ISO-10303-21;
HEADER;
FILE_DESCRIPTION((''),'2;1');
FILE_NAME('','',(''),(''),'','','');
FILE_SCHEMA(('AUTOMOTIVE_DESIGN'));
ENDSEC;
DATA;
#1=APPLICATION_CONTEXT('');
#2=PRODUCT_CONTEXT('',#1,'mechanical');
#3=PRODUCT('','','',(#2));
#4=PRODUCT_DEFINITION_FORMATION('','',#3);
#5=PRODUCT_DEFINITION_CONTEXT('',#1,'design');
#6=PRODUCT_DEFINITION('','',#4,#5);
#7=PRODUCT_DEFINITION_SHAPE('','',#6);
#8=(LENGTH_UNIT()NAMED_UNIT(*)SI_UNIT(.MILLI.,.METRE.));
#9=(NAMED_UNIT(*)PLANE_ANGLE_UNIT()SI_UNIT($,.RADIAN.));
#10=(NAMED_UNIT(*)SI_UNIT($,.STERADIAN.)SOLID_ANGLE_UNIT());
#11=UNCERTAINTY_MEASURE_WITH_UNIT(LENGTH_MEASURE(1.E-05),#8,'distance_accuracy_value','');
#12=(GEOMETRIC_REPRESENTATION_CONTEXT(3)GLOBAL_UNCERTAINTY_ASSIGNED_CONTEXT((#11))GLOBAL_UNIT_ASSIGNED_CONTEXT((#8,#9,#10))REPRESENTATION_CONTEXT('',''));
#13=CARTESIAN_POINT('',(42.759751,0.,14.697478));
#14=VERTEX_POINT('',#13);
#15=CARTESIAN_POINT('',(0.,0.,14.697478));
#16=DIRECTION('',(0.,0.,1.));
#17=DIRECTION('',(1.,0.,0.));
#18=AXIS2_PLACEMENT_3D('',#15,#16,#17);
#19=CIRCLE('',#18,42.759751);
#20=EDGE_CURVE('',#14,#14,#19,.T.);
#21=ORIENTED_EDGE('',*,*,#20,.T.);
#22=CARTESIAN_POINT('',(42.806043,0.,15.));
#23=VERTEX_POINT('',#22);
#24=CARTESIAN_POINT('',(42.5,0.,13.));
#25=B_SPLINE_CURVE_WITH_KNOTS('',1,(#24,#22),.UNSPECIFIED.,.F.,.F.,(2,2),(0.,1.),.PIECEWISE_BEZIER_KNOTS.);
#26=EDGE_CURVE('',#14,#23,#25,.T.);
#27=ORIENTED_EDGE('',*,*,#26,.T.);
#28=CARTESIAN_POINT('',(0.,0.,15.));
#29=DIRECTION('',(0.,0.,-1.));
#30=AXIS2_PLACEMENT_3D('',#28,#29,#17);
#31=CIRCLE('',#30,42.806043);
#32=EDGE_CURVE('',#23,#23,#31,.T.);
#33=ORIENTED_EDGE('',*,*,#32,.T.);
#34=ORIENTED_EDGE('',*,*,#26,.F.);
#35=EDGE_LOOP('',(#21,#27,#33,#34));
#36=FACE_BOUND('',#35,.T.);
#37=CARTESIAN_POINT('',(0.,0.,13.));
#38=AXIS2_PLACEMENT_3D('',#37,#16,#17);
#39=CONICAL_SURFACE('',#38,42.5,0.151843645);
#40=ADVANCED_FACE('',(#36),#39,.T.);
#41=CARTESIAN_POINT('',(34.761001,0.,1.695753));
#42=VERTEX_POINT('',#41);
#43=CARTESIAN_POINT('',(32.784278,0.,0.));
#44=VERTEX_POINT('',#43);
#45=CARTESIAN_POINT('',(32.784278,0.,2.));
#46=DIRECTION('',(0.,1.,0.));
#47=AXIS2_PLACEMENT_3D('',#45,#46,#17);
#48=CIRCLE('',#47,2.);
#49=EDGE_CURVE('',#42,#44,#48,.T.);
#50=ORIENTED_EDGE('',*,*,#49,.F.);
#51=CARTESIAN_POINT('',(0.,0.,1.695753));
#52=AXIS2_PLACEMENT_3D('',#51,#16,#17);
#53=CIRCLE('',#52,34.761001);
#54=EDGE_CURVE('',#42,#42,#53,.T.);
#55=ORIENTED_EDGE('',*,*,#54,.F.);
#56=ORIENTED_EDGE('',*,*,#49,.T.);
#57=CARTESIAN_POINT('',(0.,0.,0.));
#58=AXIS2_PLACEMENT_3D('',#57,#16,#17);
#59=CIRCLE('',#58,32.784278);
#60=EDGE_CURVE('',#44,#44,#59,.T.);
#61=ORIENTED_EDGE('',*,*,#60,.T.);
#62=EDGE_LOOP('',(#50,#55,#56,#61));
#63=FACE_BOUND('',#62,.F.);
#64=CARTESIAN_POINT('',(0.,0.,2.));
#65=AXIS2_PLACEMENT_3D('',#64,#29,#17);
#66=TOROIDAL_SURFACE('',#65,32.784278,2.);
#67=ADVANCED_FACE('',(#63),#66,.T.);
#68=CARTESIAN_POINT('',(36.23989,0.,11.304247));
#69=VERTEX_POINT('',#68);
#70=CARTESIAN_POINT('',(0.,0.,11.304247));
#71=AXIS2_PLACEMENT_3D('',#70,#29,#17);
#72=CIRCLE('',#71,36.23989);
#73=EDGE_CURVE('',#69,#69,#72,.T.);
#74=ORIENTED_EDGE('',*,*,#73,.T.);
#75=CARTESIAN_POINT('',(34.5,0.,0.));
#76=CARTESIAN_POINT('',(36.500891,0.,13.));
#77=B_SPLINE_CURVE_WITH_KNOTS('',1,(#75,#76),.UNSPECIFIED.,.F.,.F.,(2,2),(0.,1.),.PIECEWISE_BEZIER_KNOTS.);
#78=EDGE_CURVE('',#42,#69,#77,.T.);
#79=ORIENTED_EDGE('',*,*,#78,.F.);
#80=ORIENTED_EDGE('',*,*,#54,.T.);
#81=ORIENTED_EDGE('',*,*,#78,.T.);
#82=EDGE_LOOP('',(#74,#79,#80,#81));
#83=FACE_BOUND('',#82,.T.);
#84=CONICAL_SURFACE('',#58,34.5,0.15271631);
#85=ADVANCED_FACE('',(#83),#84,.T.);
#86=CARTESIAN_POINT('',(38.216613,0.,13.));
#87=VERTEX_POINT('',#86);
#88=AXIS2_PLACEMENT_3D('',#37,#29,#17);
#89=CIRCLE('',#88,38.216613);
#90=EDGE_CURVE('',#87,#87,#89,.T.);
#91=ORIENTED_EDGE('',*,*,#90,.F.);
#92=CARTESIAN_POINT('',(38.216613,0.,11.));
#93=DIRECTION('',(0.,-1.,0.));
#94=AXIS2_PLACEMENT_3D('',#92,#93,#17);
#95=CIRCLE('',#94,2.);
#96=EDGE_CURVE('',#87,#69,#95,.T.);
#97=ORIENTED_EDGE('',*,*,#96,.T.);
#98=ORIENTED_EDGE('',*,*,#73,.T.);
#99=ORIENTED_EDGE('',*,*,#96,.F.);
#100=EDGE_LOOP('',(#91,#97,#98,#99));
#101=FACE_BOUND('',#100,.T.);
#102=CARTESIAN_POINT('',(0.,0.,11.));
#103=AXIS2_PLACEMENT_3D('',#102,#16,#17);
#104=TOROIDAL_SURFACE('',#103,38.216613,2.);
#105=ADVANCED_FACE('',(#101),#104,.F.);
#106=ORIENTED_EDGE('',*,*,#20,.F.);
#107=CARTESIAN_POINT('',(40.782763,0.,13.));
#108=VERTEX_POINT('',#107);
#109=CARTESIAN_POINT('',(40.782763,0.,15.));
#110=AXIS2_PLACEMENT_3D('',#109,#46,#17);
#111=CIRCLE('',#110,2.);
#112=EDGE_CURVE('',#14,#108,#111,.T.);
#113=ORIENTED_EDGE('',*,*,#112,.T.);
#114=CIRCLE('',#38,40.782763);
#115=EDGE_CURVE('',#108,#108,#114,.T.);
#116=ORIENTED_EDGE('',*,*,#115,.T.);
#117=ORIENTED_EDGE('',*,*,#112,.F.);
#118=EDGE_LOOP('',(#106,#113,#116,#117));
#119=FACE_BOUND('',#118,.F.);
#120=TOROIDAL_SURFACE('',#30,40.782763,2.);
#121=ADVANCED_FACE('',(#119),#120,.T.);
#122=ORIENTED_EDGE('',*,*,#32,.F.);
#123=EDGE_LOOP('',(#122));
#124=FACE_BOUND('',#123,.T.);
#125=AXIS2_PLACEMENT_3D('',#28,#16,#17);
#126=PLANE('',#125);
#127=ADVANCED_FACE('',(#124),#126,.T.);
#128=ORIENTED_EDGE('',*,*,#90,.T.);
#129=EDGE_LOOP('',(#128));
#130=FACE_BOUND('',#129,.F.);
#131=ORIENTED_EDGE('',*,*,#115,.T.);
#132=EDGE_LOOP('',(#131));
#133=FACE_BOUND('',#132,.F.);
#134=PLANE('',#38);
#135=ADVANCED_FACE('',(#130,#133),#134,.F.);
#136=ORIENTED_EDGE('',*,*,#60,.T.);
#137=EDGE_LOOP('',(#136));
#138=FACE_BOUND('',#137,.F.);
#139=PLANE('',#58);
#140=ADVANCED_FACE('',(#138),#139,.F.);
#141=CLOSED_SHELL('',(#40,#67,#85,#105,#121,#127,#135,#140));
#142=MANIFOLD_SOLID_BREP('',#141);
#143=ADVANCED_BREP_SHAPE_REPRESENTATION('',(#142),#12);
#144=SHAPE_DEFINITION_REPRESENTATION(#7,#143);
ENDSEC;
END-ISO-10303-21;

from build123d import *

# Parameters (mm, degrees)
F0_R     = 34.5
F1_DEPTH = 13
F1_TAPER = -8.75
F2_R     = 42.5
F3_DEPTH = 2
F3_TAPER = -8.7
F4_R     = 2


with BuildPart() as f1:
    # F0 (on Top) → F1 (new body)
    with BuildSketch(Plane.XY):
        Circle(F0_R)
    extrude(amount=F1_DEPTH, taper=F1_TAPER)

    # F2 (on face) → F3 (join)
    with BuildSketch(Plane.XY.offset(13)):
        Circle(F2_R)
    extrude(amount=F3_DEPTH, taper=F3_TAPER)

    # F4
    f4_edges = [f1.edges().sort_by_distance(p)[0] for p in [
        (-34.5, 0, 0),
        (-36.500891, 0, 13),
        (-42.5, 0, 13),
    ]]
    fillet(f4_edges, radius=F4_R)


solid = f1.part
